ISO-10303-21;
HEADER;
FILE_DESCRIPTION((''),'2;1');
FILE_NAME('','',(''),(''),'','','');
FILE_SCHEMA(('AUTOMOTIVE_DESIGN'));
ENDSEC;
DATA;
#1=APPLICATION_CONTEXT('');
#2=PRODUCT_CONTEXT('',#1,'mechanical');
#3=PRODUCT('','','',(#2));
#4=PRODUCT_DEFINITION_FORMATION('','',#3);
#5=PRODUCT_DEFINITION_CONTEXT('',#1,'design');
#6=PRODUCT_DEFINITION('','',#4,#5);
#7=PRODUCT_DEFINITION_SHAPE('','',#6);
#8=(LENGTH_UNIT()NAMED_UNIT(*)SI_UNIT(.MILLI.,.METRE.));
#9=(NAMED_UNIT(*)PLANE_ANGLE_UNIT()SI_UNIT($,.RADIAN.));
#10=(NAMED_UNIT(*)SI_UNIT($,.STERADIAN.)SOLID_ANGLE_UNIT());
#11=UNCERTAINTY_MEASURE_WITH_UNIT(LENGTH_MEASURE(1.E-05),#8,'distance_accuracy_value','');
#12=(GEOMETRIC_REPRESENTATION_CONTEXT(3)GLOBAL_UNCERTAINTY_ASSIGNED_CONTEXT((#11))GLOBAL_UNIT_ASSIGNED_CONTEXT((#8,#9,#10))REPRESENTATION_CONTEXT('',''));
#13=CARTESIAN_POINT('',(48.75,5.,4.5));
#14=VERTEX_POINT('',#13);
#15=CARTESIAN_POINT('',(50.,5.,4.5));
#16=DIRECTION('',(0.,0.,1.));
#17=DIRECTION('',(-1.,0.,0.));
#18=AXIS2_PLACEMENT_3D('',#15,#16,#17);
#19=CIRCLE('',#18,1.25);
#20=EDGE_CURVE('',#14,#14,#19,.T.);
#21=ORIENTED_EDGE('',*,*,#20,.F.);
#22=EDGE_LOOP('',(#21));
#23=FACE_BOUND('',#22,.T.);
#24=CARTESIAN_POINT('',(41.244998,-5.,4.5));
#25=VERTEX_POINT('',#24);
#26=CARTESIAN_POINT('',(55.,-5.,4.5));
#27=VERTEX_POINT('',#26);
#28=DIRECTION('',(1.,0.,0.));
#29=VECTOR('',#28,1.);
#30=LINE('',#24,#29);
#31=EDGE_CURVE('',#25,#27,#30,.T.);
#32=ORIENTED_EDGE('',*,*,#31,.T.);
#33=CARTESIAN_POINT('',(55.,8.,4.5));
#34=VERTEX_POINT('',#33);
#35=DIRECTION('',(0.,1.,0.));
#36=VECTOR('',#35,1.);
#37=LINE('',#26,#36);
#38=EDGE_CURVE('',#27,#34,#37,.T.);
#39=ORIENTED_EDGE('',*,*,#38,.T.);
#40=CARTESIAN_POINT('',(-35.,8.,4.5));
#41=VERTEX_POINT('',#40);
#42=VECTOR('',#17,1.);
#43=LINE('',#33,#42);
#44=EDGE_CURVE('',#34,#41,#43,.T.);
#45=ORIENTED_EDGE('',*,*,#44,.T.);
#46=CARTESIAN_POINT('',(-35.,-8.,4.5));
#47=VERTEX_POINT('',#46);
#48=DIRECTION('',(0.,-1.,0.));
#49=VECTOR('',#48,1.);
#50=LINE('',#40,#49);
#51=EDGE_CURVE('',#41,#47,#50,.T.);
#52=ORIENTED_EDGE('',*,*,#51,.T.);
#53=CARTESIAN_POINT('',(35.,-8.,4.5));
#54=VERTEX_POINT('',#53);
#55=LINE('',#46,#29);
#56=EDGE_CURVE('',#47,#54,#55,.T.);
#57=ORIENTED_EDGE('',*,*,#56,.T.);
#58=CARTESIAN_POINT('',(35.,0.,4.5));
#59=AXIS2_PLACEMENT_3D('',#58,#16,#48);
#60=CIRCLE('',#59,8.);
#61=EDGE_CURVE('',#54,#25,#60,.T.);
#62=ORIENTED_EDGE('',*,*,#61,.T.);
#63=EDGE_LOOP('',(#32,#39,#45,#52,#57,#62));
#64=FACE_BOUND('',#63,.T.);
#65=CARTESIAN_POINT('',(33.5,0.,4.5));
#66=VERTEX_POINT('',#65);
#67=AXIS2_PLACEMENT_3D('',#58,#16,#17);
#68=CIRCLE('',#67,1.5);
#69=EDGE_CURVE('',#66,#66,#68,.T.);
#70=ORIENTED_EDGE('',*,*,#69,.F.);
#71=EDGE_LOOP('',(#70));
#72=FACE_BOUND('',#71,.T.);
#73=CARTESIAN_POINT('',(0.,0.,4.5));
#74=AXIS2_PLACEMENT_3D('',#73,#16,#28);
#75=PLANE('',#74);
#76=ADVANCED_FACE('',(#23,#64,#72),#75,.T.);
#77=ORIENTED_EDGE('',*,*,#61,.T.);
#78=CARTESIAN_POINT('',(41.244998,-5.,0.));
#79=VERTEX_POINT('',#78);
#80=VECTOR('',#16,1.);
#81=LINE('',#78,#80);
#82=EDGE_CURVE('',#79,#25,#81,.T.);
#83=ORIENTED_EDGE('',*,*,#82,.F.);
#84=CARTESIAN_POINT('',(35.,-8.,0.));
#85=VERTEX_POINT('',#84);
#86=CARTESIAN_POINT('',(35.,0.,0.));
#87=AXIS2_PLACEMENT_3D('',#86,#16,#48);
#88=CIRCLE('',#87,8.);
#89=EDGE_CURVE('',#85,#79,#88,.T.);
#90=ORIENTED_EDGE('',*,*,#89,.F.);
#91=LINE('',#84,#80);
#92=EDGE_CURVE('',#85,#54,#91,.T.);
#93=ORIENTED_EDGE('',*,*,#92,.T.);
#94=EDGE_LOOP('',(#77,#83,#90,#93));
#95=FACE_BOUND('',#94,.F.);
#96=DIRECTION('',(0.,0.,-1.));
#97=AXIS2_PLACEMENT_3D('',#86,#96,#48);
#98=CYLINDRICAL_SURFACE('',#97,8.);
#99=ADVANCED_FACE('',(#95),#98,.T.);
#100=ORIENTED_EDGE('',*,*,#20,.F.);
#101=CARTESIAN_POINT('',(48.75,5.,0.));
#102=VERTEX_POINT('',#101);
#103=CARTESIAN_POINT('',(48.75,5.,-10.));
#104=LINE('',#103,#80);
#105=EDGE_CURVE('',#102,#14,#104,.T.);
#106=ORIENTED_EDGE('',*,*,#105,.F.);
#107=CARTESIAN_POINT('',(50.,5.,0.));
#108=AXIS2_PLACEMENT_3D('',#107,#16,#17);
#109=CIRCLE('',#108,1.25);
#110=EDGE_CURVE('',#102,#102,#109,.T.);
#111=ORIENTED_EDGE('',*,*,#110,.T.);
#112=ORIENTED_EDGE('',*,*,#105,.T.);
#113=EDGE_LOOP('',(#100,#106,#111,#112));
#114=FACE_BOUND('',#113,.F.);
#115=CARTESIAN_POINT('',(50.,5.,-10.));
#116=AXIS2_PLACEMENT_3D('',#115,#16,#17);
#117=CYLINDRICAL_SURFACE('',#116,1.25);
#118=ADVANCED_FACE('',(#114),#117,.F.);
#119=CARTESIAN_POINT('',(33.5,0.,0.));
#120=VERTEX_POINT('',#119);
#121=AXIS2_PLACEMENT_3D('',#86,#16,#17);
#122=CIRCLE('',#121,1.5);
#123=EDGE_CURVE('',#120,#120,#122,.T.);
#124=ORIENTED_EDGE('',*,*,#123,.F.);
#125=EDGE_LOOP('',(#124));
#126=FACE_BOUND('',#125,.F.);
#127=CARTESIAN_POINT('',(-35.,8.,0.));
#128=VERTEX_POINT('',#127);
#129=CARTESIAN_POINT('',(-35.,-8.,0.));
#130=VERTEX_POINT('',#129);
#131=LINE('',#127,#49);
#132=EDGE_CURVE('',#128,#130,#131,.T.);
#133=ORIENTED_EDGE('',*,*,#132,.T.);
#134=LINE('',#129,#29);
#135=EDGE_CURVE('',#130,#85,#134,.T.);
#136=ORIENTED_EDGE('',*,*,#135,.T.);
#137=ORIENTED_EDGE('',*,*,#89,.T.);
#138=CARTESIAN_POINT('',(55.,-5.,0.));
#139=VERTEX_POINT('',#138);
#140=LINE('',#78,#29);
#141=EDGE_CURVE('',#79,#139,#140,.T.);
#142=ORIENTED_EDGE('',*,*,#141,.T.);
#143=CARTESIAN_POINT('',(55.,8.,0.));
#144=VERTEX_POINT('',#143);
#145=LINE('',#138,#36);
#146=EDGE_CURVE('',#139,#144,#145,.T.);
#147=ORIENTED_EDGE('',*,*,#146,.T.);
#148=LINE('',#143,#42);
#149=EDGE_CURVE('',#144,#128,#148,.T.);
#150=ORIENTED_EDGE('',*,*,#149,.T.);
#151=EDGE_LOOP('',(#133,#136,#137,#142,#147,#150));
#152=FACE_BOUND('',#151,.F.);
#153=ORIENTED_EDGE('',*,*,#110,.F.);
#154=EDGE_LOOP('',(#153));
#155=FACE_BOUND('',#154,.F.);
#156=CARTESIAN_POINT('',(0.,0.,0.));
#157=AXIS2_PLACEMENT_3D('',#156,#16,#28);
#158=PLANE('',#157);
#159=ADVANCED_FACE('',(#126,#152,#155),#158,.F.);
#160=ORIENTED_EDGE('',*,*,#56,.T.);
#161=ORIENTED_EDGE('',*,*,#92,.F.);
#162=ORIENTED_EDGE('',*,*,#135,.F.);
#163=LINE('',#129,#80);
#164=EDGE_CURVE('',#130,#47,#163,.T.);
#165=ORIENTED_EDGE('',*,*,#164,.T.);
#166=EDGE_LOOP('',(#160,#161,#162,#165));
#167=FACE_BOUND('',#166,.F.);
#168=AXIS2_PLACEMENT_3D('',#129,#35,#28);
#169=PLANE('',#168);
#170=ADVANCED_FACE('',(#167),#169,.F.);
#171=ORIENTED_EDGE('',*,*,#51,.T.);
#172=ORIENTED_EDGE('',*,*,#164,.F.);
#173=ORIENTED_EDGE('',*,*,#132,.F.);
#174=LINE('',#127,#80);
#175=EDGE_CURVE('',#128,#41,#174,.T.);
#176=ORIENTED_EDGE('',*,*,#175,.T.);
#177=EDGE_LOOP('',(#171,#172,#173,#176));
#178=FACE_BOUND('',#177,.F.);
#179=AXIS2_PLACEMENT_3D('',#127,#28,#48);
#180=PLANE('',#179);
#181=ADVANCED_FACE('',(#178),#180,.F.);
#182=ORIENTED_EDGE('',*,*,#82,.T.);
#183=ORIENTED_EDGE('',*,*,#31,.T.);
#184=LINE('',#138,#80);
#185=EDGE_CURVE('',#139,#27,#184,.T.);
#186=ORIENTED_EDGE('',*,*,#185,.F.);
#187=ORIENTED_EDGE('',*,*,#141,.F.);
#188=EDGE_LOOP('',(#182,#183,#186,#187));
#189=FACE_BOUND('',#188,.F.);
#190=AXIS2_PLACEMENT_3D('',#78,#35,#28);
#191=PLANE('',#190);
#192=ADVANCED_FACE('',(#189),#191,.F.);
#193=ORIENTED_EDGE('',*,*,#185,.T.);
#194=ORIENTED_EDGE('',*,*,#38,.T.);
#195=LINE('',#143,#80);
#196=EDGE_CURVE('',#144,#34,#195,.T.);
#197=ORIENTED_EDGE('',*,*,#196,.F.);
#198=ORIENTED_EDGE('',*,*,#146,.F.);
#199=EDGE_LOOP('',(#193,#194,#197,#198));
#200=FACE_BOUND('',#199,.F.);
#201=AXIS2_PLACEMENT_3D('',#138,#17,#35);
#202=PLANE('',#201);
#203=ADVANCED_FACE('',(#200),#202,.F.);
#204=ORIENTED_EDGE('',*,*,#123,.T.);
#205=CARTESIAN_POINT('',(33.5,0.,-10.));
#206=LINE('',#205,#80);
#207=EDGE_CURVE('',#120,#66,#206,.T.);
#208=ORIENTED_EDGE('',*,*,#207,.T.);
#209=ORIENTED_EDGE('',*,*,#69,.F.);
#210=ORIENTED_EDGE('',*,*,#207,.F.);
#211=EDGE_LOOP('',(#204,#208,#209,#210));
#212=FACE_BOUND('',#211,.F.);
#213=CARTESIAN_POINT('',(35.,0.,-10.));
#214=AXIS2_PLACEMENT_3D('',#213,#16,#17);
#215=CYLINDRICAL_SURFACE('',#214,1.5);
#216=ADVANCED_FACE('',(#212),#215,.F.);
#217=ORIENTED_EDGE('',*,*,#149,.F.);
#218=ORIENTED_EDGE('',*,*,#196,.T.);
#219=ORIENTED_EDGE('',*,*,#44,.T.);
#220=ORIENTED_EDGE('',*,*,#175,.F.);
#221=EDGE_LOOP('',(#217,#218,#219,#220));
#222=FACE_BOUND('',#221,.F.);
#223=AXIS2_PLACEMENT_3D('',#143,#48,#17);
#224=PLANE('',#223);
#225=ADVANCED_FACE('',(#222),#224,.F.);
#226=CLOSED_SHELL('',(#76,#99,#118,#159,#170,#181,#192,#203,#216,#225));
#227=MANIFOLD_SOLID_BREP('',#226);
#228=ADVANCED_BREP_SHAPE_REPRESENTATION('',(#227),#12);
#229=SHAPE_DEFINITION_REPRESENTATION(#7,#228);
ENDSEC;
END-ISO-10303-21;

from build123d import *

# Parameters (mm, degrees)
F1_DEPTH = 4.5
F2_D     = 3
F2_DEPTH = 10
F2_TIP   = 0.9012909285
F3_D     = 2.5
F3_DEPTH = 10
F3_TIP   = 0.7510757738


with BuildPart() as f1:
    # F0 (on Top) → F1 (new body)
    with BuildSketch(Plane.XY):
        Polygon((35, -5), (35, 8), (-35, 8), (-35, -8), (35, -8), align=None)
        with BuildLine():
            Line((41.2449979984, -5), (35, -5))
            Line((35, -5), (35, -8))
            ThreePointArc((35, -8), (38.4641016151, -7.2111025509), (41.2449979984, -5))
        make_face()
        with BuildLine():
            ThreePointArc((41.2449979984, -5), (42.2111025509, 3.4641016151), (35, 8))
            Line((35, 8), (35, -5))
            Line((35, -5), (41.2449979984, -5))
        make_face()
        with BuildLine():
            Line((55, 8), (35, 8))
            ThreePointArc((35, 8), (42.2111025509, 3.4641016151), (41.2449979984, -5))
            Line((41.2449979984, -5), (55, -5))
            Line((55, -5), (55, 8))
        make_face()
    extrude(amount=F1_DEPTH)

    # F2
    with Locations(Plane(origin=(0, 0, 0), x_dir=(1, 0, 0), z_dir=(0, 0, -1))):
        with Locations((35, 0)):
            Hole(F2_D / 2, depth=F2_DEPTH)
            with Locations((0, 0, -(F2_DEPTH + F2_TIP / 2))):  # 118° drill point
                Cone(0, F2_D / 2, F2_TIP, mode=Mode.SUBTRACT)

    # F3
    with Locations(Plane(origin=(0, 0, 0), x_dir=(1, 0, 0), z_dir=(0, 0, -1))):
        with Locations((50, -5)):
            Hole(F3_D / 2, depth=F3_DEPTH)
            with Locations((0, 0, -(F3_DEPTH + F3_TIP / 2))):  # 118° drill point
                Cone(0, F3_D / 2, F3_TIP, mode=Mode.SUBTRACT)


solid = f1.part
